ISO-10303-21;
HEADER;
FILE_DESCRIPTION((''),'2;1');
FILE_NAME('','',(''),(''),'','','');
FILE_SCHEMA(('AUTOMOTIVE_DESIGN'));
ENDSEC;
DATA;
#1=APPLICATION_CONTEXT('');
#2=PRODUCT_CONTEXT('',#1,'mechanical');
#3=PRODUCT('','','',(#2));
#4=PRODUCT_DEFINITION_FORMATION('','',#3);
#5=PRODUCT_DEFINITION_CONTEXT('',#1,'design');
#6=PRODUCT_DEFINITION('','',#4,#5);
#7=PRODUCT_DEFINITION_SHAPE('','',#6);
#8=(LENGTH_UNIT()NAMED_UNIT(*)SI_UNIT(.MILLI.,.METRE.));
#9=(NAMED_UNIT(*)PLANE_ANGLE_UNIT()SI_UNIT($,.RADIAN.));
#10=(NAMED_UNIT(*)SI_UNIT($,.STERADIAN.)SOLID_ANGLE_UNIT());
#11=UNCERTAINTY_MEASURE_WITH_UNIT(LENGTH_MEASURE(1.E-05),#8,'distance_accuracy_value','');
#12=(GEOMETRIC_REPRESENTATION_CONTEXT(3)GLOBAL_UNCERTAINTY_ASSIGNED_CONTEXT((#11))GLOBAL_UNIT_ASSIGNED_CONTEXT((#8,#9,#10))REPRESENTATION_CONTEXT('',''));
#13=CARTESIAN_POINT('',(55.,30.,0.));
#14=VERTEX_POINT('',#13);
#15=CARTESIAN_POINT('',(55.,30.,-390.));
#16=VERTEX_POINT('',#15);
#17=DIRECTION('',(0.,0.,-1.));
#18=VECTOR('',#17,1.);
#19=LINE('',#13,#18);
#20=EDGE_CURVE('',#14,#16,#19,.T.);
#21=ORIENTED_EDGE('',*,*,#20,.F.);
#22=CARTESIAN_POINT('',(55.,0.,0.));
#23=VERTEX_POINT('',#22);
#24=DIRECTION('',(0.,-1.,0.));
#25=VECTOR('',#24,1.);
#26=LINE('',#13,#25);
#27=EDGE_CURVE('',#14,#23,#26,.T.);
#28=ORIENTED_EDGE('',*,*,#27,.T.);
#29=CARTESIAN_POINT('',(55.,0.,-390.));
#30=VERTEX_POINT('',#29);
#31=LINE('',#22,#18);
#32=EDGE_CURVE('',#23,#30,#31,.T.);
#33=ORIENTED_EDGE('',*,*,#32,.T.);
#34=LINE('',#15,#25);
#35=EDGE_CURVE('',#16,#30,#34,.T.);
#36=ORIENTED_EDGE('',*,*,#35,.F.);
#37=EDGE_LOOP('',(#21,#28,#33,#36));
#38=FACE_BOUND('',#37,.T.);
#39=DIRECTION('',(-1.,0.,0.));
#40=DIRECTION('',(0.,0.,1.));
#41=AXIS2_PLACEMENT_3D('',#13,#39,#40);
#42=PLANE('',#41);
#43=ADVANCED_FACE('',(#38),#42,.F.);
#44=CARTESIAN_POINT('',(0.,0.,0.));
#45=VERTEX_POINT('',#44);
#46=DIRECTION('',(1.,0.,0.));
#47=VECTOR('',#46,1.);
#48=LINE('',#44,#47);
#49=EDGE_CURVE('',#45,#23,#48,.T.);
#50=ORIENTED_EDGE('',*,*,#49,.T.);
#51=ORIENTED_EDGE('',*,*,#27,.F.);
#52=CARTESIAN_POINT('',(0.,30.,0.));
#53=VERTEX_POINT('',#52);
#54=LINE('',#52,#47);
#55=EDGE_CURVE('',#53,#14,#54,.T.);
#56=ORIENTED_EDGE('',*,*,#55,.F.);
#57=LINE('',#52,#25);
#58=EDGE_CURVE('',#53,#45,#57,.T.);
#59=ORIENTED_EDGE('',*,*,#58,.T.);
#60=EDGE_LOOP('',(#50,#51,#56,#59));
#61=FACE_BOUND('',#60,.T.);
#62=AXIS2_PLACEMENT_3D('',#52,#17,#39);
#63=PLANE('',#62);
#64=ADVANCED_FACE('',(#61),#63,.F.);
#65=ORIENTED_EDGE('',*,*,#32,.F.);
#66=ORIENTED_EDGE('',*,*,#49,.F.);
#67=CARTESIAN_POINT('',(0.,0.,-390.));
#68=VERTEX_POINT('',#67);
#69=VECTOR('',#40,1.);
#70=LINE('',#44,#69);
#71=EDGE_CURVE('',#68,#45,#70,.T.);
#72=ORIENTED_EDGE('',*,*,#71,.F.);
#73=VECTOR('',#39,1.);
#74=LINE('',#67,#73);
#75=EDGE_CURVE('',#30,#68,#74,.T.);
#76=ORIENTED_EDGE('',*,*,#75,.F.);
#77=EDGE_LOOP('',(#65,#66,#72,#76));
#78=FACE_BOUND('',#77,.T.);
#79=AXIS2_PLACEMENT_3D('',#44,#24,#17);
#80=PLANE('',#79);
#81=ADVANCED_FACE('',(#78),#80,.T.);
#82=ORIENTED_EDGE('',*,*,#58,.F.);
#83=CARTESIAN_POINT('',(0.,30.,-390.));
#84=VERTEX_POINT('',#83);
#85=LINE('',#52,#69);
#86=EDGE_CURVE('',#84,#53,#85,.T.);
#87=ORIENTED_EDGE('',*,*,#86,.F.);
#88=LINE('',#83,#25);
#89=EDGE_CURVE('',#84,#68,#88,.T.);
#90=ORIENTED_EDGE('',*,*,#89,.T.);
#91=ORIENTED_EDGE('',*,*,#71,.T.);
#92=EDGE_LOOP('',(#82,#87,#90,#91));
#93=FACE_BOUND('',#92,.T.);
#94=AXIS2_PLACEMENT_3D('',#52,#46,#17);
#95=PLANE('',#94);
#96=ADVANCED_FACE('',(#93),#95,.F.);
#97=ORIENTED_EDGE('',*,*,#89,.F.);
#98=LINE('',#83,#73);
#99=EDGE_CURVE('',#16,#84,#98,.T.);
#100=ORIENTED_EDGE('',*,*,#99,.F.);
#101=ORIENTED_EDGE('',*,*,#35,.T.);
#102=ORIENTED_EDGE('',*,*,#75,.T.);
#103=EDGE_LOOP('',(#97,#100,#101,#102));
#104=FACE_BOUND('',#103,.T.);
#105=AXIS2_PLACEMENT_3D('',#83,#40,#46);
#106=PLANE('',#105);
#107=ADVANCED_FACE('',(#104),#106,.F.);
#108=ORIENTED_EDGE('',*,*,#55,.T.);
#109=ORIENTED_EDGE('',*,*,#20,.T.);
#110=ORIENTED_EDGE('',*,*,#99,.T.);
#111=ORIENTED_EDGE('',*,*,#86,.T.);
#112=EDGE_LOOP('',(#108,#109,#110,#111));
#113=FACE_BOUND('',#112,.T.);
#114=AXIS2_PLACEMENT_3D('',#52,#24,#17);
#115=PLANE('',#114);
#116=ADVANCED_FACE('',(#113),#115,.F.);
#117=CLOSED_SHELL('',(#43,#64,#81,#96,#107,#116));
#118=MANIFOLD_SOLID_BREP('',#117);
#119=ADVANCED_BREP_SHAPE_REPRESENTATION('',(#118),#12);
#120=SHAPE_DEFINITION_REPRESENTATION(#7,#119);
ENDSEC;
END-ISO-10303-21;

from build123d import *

# Parameters (mm, degrees)
SKETCH_1_W      = 55
SKETCH_1_H      = 390
EXTRUDE_1_DEPTH = 30


with BuildPart() as part:
    # Эскиз1 → Бобышка-Вытянуть1 (new body)
    with BuildSketch(Plane(origin=(0, 0, 0), x_dir=(1, 0, 0), z_dir=(0, 1, 0))):
        with Locations((27.5, 195)):
            Rectangle(SKETCH_1_W, SKETCH_1_H)
    extrude(amount=EXTRUDE_1_DEPTH)


solid = part.part
